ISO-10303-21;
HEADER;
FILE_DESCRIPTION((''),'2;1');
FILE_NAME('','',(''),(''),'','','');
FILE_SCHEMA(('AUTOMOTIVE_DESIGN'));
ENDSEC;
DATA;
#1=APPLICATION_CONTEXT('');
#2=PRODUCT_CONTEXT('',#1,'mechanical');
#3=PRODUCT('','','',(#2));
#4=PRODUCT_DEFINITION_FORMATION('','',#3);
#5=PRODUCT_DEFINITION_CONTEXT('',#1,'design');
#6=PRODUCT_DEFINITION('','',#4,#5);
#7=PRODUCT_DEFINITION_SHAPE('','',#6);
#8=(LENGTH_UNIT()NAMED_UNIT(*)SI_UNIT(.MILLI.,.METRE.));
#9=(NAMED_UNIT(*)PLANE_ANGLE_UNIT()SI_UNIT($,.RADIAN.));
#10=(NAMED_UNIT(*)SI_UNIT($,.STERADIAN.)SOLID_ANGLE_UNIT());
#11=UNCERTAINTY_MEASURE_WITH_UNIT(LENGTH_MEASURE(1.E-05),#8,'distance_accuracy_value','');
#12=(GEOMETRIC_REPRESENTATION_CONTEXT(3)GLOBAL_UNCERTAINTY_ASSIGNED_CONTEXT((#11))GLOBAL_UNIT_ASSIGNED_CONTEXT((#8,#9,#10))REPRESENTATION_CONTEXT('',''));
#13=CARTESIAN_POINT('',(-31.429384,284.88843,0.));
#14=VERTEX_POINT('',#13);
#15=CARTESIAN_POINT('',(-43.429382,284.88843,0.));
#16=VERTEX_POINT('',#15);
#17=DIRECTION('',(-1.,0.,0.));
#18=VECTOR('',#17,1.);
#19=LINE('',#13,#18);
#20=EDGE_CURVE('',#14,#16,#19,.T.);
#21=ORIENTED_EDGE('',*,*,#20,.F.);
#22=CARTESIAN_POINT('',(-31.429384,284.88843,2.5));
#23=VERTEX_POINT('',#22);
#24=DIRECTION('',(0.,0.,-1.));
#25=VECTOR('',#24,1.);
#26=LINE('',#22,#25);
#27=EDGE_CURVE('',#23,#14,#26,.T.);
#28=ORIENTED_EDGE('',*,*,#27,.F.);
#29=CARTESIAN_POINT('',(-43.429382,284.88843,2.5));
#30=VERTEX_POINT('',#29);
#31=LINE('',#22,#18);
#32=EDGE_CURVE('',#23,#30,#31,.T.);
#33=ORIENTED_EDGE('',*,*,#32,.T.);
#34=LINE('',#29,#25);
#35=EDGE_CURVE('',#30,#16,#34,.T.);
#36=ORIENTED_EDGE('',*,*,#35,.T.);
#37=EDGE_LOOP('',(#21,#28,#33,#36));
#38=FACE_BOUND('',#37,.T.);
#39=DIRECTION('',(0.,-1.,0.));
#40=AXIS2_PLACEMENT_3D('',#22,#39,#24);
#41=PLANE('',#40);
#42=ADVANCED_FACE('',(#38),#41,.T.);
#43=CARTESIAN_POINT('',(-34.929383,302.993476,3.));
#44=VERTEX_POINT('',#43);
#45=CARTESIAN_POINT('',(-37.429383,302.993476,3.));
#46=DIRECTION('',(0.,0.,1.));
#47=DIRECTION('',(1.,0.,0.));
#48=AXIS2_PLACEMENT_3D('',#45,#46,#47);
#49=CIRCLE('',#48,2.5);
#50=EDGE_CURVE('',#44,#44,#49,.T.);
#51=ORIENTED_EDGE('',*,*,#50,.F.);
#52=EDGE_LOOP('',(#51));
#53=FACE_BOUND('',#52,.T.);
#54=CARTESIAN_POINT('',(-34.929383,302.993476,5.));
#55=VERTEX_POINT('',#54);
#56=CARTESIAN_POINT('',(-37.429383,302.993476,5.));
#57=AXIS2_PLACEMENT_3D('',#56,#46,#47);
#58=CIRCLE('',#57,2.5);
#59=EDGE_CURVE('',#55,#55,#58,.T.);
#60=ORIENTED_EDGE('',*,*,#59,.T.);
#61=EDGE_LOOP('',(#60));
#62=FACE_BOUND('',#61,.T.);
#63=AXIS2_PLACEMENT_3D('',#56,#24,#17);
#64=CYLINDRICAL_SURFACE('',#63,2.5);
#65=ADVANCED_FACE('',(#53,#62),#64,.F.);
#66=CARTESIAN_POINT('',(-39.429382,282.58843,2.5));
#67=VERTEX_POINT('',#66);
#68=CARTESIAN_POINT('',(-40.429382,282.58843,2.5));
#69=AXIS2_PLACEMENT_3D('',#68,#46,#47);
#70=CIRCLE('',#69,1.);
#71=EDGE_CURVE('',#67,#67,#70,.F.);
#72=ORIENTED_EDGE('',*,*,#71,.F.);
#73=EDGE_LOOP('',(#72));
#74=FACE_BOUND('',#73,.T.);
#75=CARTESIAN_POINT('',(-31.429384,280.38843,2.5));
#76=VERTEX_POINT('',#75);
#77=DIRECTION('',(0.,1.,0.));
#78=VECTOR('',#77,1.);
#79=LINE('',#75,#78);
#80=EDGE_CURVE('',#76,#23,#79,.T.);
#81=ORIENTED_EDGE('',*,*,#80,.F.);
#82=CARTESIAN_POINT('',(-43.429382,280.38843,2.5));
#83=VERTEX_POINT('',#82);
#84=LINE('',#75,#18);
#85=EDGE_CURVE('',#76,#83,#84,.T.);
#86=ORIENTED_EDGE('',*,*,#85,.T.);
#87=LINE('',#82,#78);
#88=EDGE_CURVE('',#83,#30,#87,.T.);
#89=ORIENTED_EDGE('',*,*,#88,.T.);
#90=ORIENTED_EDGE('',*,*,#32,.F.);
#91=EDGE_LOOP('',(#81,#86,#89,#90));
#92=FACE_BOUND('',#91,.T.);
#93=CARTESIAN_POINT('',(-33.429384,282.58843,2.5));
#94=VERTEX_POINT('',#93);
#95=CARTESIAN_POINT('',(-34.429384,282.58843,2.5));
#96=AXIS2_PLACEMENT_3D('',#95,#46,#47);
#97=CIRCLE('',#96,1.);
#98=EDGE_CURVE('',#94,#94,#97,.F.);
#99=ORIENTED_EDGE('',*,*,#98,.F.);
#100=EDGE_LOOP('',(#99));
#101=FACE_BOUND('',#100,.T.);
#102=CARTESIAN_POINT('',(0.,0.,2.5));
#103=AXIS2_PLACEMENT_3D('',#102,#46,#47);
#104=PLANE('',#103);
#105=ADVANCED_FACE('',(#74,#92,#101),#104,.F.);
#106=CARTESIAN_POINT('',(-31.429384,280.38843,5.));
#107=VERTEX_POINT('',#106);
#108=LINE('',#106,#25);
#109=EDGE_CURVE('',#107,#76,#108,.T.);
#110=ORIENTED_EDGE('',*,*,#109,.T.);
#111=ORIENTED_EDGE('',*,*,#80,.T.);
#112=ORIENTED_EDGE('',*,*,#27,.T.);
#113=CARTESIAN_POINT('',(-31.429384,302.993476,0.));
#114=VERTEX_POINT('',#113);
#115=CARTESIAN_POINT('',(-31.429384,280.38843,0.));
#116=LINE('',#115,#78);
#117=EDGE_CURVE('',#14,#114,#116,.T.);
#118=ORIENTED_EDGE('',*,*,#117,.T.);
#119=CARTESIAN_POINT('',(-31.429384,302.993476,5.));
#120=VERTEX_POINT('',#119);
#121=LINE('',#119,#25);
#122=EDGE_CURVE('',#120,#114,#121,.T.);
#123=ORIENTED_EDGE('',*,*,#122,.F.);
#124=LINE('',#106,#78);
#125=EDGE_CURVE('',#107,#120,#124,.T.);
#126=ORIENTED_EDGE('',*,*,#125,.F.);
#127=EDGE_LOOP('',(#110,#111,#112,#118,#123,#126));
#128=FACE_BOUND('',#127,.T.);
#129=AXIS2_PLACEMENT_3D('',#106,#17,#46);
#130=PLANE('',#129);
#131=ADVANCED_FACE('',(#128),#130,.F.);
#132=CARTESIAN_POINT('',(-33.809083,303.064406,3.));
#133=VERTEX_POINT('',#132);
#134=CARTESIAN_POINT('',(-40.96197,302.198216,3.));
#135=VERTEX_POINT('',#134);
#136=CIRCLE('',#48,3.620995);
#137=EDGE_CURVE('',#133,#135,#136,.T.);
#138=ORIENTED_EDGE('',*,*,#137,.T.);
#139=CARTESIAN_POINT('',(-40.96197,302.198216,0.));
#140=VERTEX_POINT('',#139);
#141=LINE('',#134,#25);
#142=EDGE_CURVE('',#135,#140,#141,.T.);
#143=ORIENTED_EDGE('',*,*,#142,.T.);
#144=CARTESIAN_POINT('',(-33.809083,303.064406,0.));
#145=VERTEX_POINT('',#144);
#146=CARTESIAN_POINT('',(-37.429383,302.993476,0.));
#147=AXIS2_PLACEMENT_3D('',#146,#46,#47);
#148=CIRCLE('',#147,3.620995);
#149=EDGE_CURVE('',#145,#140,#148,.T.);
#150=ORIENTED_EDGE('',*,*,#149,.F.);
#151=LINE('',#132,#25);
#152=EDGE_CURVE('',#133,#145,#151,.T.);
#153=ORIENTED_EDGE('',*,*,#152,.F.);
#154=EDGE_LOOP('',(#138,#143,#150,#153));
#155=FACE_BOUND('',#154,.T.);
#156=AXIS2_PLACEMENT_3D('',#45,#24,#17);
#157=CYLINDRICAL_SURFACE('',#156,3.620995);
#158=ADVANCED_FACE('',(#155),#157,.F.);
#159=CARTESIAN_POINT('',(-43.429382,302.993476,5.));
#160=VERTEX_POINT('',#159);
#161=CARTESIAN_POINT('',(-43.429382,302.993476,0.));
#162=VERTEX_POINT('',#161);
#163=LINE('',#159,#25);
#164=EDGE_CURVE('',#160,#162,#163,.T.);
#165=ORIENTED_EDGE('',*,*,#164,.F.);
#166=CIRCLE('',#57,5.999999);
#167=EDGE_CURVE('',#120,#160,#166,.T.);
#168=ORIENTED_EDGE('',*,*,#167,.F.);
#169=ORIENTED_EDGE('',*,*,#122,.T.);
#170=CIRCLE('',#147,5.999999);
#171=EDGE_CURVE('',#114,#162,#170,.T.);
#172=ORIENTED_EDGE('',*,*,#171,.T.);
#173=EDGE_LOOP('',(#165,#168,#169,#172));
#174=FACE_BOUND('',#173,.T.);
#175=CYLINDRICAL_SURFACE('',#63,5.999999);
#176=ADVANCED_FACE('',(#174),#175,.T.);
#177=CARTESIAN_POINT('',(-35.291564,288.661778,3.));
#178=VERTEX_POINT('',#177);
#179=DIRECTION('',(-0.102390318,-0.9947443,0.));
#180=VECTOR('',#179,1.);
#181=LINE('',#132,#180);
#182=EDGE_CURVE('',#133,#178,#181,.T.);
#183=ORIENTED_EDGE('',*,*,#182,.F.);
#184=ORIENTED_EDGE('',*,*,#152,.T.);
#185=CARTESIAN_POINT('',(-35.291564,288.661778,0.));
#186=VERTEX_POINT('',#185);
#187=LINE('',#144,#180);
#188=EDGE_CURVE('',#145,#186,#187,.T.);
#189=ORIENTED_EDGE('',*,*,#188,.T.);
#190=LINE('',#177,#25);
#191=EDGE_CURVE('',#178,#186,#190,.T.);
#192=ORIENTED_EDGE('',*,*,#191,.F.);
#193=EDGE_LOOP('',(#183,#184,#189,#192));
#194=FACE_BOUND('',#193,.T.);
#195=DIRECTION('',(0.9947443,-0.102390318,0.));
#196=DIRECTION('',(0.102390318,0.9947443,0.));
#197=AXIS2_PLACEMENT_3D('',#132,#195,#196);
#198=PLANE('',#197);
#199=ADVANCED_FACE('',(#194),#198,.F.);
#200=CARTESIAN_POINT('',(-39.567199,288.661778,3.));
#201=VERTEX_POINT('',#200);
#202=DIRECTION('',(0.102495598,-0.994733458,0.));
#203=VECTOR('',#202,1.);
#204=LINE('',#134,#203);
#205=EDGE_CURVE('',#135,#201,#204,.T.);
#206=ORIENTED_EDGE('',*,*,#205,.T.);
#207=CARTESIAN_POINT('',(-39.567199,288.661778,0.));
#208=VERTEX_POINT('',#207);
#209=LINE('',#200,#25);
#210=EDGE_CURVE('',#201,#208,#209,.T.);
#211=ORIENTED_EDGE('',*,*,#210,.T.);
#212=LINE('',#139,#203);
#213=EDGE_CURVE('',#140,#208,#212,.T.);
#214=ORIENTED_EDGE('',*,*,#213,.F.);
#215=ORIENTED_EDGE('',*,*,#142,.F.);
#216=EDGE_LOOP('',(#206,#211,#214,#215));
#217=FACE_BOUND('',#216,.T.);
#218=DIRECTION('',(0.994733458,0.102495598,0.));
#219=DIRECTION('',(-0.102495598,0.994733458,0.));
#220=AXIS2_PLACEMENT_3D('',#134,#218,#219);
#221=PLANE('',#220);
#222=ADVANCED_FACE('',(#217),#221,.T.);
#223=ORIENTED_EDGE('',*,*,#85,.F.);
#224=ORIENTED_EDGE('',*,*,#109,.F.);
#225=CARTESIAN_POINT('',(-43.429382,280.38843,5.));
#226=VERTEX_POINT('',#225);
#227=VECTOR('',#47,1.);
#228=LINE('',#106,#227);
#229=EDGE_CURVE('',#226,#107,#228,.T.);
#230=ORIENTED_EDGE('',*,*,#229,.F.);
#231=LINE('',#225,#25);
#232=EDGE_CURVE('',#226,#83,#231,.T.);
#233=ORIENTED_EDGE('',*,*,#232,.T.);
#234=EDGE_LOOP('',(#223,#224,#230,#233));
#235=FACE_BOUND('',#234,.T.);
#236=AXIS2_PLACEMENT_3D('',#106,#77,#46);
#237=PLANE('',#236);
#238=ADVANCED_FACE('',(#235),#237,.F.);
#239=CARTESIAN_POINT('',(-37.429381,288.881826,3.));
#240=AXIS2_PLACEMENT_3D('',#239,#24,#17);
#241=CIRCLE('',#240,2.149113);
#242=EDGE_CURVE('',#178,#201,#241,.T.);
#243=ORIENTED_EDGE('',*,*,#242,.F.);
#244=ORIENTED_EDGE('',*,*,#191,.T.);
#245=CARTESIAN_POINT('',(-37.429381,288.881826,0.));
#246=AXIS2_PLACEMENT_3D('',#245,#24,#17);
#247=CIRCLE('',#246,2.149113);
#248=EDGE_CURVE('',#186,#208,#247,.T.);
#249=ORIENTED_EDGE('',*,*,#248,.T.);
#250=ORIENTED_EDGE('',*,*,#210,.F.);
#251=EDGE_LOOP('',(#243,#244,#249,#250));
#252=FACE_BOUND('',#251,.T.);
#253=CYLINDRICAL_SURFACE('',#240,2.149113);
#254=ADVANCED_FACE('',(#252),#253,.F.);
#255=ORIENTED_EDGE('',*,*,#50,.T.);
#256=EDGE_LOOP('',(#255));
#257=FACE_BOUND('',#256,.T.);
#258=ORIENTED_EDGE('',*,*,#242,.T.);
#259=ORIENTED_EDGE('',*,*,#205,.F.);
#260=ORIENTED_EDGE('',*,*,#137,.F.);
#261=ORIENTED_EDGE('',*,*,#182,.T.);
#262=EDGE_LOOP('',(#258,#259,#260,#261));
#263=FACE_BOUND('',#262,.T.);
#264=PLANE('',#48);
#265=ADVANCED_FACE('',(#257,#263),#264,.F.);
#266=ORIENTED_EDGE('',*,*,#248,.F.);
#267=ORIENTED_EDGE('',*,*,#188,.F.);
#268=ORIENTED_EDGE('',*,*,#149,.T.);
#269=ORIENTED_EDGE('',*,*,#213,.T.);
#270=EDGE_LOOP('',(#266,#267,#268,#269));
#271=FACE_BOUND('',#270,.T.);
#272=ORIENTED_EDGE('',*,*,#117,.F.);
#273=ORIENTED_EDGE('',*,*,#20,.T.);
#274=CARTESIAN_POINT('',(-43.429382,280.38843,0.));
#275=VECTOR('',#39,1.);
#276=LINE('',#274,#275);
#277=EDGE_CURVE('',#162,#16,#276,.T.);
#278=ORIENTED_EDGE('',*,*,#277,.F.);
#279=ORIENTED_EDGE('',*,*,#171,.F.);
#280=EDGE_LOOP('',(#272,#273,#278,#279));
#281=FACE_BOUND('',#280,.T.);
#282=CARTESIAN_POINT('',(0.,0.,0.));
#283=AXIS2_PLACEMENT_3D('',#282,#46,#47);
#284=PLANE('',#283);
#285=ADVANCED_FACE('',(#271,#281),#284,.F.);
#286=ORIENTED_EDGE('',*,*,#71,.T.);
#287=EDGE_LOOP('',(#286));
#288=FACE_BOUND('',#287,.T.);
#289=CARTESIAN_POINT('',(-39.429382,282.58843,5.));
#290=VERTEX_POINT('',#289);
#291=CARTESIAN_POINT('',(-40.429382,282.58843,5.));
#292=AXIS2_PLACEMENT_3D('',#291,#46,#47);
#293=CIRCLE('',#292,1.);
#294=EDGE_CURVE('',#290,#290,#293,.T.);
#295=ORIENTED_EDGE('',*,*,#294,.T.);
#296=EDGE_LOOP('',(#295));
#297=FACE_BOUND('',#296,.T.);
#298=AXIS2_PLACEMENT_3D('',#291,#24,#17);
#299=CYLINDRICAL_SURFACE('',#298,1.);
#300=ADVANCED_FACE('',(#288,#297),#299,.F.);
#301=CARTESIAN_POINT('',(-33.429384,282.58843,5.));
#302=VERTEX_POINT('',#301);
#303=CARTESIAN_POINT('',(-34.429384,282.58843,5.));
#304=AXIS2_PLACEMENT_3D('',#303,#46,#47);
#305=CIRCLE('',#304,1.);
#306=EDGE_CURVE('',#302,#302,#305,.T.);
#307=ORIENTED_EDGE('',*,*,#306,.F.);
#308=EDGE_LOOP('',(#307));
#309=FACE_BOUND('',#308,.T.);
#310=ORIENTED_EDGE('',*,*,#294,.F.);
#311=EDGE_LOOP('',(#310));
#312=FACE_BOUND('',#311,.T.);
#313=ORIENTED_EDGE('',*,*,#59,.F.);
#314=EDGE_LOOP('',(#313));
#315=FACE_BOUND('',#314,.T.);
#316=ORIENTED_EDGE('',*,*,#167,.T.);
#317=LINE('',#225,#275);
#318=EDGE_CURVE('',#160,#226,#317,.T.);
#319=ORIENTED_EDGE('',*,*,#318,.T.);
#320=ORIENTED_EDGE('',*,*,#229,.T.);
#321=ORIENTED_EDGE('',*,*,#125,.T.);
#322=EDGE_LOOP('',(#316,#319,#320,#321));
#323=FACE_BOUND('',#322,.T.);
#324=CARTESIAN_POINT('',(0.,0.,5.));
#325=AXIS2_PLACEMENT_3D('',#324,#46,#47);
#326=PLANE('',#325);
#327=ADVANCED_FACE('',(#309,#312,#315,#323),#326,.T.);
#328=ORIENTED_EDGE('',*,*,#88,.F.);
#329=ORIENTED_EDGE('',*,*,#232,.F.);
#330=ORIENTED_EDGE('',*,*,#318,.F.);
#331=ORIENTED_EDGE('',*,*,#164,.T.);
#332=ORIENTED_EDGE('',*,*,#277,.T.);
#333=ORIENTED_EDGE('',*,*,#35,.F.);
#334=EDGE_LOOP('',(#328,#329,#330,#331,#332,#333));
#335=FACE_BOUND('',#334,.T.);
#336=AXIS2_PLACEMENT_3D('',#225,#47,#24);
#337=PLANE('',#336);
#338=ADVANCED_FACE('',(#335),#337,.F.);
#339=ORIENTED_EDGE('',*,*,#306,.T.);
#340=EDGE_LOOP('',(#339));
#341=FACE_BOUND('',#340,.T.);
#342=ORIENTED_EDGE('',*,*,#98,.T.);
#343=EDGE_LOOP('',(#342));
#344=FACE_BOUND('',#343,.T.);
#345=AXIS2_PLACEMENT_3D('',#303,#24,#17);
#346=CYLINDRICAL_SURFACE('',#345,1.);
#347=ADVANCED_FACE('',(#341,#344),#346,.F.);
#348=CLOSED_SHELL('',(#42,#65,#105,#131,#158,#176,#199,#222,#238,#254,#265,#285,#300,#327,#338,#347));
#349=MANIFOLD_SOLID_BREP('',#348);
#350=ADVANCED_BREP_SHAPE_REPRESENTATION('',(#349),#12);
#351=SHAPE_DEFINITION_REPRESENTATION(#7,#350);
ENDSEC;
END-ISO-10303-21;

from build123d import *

# Parameters (mm, degrees)
SKETCH1_W           = 11.999998241
SKETCH1_H           = 22.605046118
BOSS_EXTRUDE1_DEPTH = 5
BOSS_EXTRUDE2_DEPTH = 5
SKETCH4_R           = 2.5
CUT_EXTRUDE3_DEPTH  = 5
CUT_EXTRUDE7_DEPTH  = 3
SKETCH10_W          = 11.999998241
SKETCH10_H          = 4.5
CUT_EXTRUDE8_DEPTH  = 2.5
SKETCH12_R          = 1
CUT_EXTRUDE9_DEPTH  = 5


with BuildPart() as part:
    # Sketch1 → Boss-Extrude1 (new body)
    with BuildSketch(Plane.XY):
        with Locations((-37.429383025, 291.690953332)):
            Rectangle(SKETCH1_W, SKETCH1_H)
    extrude(amount=BOSS_EXTRUDE1_DEPTH)

    # Sketch3 → Boss-Extrude2 (add)
    with BuildSketch(Plane.XY):
        with BuildLine():
            Line((-31.429383904, 302.993476391), (-43.429382145, 302.993476391))
            ThreePointArc((-43.429382145, 302.993476391), (-37.429383025, 308.993475512), (-31.429383904, 302.993476391))
        make_face()
    extrude(amount=BOSS_EXTRUDE2_DEPTH)

    # Sketch4 → Cut-Extrude3 (cut)
    with BuildSketch(Plane.XY):
        with Locations((-37.429383025, 302.993476391)):
            Circle(SKETCH4_R)
    extrude(amount=CUT_EXTRUDE3_DEPTH, mode=Mode.SUBTRACT)

    # Sketch6 → Cut-Extrude7 (cut)
    with BuildSketch(Plane.XY):
        with BuildLine():
            Line((-33.809082583, 303.064405918), (-35.29156372, 288.661777973))
            ThreePointArc((-35.29156372, 288.661777973), (-37.429381162, 286.732713757), (-39.567198604, 288.661777973))
            Line((-39.567198604, 288.661777973), (-40.961969567, 302.198216304))
            ThreePointArc((-40.961969567, 302.198216304), (-37.864692735, 306.588210281), (-33.809082583, 303.064405918))
        make_face()
    extrude(amount=CUT_EXTRUDE7_DEPTH, mode=Mode.SUBTRACT)

    # Sketch10 → Cut-Extrude8 (cut)
    with BuildSketch(Plane.XY):
        with Locations((-37.429383025, 282.638430273)):
            Rectangle(SKETCH10_W, SKETCH10_H)
    extrude(amount=CUT_EXTRUDE8_DEPTH, mode=Mode.SUBTRACT)

    # Sketch12 → Cut-Extrude9 (cut)
    with BuildSketch(Plane.XY):
        with Locations((-34.429383904, 282.588430273)):
            Circle(SKETCH12_R)
        with Locations((-40.429382145, 282.588430273)):
            Circle(SKETCH12_R)
    extrude(amount=CUT_EXTRUDE9_DEPTH, mode=Mode.SUBTRACT)


solid = part.part
